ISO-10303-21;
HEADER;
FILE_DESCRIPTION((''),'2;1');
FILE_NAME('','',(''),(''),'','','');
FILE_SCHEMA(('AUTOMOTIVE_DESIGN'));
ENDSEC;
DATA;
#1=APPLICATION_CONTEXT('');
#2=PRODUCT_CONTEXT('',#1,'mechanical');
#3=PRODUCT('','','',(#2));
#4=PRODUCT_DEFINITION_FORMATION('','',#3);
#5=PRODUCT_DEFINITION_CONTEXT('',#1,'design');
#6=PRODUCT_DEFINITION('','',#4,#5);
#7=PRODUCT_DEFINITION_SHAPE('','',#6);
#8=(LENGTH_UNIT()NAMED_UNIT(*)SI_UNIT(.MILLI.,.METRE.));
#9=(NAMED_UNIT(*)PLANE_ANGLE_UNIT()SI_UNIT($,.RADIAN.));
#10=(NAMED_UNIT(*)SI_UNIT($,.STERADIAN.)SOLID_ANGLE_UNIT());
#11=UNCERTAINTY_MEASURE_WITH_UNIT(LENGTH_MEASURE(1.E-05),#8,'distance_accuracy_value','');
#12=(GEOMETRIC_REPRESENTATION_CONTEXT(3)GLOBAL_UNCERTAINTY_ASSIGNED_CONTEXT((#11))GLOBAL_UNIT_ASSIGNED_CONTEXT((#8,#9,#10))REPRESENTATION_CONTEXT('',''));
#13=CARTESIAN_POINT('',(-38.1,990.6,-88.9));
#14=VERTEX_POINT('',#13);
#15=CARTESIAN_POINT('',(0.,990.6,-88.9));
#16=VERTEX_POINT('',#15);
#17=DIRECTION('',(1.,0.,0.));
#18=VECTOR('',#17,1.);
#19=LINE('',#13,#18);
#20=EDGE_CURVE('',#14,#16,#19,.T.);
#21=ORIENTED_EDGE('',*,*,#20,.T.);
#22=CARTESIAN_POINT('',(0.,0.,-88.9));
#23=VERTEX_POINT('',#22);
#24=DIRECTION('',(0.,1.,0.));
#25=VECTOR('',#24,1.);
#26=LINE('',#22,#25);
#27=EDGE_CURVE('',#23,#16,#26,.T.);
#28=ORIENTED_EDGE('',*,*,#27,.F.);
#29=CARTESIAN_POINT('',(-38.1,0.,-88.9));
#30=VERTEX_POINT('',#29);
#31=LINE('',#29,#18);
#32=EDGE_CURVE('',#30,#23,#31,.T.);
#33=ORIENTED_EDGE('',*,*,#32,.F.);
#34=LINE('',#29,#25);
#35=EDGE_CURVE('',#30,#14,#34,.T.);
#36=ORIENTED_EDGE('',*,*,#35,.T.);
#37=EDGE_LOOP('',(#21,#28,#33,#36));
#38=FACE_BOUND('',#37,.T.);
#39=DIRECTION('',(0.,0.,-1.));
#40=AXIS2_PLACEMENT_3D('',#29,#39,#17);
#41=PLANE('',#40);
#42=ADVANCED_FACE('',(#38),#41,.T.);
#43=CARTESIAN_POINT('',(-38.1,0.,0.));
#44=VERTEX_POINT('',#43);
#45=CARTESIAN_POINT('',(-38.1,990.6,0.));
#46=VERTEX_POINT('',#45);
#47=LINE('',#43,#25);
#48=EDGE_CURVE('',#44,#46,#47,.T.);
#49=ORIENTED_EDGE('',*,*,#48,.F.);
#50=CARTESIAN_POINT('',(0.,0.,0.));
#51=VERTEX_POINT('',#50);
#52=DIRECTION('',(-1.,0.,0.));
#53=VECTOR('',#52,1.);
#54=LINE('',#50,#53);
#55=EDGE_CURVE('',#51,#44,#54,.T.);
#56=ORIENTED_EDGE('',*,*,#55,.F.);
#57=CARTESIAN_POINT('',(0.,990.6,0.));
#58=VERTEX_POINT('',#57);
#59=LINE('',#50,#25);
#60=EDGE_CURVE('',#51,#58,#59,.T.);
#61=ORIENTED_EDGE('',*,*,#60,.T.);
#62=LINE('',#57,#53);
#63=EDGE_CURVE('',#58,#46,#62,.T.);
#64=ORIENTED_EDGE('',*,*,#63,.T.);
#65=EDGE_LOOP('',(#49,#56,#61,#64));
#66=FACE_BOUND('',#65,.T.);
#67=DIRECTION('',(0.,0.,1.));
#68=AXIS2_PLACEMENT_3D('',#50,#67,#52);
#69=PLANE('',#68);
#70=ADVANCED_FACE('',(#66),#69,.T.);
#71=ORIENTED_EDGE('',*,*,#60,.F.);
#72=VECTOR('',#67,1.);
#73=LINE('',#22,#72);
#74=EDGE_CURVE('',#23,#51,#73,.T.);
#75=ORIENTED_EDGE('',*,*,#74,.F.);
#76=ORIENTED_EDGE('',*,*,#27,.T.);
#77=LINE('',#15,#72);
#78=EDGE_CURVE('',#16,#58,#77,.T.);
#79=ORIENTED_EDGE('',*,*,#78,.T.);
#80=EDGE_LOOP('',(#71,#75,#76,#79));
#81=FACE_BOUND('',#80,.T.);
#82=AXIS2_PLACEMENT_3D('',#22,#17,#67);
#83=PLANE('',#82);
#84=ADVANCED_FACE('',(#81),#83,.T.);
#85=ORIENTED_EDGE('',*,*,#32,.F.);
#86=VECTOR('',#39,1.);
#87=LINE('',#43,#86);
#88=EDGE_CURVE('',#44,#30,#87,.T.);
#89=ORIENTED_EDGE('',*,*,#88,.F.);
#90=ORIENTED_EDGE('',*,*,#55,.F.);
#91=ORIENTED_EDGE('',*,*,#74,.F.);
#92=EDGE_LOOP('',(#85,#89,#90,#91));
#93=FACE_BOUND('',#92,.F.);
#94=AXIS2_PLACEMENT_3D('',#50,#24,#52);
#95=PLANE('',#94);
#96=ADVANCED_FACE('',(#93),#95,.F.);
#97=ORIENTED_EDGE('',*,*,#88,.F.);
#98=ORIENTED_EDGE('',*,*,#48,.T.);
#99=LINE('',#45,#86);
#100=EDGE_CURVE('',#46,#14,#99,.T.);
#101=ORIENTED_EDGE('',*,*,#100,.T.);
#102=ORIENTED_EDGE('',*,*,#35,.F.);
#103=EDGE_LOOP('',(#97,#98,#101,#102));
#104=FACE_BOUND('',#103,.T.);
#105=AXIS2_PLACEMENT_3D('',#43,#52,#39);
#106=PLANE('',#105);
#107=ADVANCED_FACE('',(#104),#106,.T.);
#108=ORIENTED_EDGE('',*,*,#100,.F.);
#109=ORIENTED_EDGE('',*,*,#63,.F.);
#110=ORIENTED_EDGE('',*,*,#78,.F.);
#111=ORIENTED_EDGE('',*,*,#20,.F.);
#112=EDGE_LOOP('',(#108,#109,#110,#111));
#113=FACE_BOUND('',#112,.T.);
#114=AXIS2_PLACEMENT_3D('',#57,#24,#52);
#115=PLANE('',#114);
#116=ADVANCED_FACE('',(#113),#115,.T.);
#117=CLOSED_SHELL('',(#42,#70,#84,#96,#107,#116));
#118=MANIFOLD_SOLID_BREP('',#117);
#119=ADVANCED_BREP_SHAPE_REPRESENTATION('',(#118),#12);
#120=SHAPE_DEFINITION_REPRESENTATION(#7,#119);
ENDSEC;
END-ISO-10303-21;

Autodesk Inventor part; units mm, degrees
ref_plane "YZ Plane" through (0, 0, 0) normal (1, 0, 0) x (0, 1, 0)
ref_plane "XZ Plane" through (0, 0, 0) normal (0, 1, 0) x (-1, 0, 0)
ref_plane "XY Plane" through (0, 0, 0) normal (0, 0, 1) x (1, 0, 0)
sketch "Sketch1" plane through (0, 0, 0) normal (0, 1, 0) x (-1, 0, 0)
  line L0 (0, 0) -> (38.1, 0)
  line L1 (38.1, 0) -> (38.1, -88.9)
  line L2 (38.1, -88.9) -> (0, -88.9)
  line L3 (0, -88.9) -> (0, 0)
  dimension "d0" = 88.9
  dimension "d1" = 38.1
extrude "Extrusion1" add sketch "Sketch1" along normal blind 990.6
properties part number "Sill_Plate_With_Length_39_Inches" material "Wood (Birch)"
